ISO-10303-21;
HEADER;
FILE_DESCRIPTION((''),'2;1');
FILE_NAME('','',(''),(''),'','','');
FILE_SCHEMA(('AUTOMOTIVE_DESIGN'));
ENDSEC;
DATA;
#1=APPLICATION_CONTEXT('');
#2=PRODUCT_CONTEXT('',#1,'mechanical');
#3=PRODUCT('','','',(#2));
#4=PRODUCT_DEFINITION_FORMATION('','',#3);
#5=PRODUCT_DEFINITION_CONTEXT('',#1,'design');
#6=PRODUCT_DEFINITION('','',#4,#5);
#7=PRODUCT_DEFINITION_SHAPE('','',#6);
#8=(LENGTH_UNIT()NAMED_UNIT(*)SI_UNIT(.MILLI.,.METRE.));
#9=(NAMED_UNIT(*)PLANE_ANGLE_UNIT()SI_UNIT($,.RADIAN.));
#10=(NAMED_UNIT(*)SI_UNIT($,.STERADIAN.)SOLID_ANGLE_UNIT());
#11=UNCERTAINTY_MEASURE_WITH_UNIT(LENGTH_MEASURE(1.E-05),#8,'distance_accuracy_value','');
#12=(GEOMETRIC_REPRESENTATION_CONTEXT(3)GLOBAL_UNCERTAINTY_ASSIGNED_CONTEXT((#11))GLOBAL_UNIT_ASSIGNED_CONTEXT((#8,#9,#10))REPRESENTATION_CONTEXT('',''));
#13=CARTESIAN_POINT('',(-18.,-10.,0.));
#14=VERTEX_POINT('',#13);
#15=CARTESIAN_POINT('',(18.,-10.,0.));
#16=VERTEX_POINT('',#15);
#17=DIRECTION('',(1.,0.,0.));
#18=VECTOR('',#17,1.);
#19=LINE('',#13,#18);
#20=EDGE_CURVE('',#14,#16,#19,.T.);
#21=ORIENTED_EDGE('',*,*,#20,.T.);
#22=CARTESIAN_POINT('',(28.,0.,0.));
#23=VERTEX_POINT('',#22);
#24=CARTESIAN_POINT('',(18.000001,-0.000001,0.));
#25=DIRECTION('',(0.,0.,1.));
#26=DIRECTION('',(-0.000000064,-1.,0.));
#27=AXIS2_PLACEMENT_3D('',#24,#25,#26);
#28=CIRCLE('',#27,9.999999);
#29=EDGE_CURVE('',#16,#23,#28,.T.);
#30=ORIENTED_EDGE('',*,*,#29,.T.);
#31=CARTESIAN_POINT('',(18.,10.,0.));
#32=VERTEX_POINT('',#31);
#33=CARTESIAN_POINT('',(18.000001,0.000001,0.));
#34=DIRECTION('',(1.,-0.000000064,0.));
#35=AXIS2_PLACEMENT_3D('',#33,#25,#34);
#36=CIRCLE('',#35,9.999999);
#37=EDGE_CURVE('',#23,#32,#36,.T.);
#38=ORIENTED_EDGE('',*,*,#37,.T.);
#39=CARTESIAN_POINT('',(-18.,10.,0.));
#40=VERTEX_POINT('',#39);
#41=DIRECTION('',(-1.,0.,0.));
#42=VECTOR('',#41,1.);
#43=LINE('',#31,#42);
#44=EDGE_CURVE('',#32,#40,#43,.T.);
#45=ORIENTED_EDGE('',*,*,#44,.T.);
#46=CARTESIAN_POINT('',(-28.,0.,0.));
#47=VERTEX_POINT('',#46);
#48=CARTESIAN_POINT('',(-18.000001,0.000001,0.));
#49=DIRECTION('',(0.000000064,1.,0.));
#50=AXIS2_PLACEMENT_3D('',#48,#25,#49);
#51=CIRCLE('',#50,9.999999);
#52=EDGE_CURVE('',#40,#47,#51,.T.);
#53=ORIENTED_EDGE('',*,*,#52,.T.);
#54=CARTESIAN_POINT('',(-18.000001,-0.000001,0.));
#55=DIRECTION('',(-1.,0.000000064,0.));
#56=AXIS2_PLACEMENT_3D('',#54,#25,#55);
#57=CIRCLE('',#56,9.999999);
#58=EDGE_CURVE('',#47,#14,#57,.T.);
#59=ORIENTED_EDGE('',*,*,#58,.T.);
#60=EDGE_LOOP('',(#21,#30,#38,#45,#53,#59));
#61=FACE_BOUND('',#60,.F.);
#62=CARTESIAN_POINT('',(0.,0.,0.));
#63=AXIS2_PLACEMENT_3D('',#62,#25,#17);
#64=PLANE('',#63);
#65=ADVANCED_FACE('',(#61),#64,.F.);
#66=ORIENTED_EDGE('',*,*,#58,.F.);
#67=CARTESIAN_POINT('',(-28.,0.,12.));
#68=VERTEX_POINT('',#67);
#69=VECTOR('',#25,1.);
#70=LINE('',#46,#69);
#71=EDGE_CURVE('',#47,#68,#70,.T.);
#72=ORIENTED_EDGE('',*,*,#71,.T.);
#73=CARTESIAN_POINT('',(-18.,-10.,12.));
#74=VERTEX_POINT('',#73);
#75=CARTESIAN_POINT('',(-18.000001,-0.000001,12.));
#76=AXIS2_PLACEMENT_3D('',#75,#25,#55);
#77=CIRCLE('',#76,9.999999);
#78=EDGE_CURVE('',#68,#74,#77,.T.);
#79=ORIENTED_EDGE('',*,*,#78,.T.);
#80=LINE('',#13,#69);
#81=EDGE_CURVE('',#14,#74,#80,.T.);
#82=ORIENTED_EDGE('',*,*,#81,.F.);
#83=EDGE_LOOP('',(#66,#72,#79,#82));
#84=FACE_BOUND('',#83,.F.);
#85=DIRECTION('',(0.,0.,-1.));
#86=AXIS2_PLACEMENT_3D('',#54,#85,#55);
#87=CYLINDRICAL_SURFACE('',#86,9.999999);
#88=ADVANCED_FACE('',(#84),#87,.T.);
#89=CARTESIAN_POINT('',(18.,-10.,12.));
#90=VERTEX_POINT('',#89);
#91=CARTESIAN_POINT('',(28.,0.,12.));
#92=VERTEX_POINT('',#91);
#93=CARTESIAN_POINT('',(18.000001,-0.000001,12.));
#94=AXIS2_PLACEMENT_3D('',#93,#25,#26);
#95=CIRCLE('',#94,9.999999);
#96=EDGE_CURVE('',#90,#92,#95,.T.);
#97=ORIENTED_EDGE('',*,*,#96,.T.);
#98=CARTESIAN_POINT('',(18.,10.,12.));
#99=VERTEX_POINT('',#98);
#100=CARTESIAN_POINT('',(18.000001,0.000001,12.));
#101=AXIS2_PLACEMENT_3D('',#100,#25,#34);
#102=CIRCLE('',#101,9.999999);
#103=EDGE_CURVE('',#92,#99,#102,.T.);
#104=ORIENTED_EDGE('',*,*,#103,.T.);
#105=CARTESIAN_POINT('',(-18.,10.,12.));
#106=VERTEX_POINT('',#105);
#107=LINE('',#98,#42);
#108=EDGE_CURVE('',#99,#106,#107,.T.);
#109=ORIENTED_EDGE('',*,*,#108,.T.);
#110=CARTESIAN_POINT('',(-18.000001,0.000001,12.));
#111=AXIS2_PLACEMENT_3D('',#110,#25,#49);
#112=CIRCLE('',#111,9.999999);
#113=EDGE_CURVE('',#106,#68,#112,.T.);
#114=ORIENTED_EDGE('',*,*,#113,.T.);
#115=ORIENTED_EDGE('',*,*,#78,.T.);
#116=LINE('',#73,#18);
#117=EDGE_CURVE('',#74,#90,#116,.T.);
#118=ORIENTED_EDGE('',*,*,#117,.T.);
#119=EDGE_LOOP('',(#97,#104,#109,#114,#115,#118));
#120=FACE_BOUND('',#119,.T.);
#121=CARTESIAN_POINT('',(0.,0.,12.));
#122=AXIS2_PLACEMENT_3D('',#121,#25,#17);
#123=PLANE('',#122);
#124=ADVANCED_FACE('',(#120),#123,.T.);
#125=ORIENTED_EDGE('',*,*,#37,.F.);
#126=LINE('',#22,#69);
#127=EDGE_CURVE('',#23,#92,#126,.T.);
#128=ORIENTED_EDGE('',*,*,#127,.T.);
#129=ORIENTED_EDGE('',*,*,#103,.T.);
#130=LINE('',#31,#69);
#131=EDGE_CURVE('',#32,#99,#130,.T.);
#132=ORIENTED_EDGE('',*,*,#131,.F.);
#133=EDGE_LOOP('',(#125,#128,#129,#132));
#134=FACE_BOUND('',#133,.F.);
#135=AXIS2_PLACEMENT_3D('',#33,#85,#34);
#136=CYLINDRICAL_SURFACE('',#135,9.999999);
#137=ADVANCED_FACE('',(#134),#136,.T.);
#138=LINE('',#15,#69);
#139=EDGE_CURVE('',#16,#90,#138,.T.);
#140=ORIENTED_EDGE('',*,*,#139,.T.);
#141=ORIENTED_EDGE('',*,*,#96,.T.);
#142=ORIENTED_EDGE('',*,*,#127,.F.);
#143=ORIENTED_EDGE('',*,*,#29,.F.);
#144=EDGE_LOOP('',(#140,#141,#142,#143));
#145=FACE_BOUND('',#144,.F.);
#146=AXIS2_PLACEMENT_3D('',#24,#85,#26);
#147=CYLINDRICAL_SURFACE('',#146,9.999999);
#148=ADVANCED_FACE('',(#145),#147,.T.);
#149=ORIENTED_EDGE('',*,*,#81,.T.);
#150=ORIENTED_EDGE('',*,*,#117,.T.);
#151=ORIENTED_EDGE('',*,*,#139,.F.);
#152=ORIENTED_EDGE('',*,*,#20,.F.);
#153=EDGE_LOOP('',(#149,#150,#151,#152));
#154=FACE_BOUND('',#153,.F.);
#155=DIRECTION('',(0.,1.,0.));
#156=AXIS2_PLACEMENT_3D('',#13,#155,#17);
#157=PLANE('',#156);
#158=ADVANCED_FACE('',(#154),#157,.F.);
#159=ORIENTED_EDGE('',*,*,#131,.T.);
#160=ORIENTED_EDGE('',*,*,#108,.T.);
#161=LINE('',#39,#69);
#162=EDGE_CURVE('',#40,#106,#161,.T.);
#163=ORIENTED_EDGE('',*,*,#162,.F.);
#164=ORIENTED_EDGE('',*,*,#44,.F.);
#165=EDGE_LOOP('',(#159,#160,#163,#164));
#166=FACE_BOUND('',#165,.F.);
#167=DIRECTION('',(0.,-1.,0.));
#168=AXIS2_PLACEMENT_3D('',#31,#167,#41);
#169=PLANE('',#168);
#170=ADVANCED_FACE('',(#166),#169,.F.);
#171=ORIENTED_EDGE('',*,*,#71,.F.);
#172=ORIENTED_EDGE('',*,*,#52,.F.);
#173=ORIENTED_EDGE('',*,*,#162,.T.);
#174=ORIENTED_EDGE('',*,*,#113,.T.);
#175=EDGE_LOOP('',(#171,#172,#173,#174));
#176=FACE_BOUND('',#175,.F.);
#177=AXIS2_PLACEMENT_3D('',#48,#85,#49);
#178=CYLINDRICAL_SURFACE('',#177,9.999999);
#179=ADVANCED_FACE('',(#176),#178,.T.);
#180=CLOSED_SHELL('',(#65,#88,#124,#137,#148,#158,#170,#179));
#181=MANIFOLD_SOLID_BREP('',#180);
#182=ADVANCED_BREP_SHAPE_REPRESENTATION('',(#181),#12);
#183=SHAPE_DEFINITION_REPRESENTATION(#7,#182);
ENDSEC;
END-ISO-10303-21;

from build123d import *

# Parameters (mm, degrees)
F1_DEPTH = 12


with BuildPart() as f1:
    # F0 (on Top) → F1 (new body)
    with BuildSketch(Plane.XY):
        with BuildLine():
            ThreePointArc((28, 0), (25.071068, 7.071068), (18, 10))
            Line((18, 10), (-18, 10))
            ThreePointArc((-18, 10), (-25.071068, 7.071068), (-28, 0))
            ThreePointArc((-28, 0), (-25.071068, -7.071068), (-18, -10))
            Line((-18, -10), (18, -10))
            ThreePointArc((18, -10), (25.071068, -7.071068), (28, 0))
        make_face()
    extrude(amount=F1_DEPTH)


solid = f1.part
